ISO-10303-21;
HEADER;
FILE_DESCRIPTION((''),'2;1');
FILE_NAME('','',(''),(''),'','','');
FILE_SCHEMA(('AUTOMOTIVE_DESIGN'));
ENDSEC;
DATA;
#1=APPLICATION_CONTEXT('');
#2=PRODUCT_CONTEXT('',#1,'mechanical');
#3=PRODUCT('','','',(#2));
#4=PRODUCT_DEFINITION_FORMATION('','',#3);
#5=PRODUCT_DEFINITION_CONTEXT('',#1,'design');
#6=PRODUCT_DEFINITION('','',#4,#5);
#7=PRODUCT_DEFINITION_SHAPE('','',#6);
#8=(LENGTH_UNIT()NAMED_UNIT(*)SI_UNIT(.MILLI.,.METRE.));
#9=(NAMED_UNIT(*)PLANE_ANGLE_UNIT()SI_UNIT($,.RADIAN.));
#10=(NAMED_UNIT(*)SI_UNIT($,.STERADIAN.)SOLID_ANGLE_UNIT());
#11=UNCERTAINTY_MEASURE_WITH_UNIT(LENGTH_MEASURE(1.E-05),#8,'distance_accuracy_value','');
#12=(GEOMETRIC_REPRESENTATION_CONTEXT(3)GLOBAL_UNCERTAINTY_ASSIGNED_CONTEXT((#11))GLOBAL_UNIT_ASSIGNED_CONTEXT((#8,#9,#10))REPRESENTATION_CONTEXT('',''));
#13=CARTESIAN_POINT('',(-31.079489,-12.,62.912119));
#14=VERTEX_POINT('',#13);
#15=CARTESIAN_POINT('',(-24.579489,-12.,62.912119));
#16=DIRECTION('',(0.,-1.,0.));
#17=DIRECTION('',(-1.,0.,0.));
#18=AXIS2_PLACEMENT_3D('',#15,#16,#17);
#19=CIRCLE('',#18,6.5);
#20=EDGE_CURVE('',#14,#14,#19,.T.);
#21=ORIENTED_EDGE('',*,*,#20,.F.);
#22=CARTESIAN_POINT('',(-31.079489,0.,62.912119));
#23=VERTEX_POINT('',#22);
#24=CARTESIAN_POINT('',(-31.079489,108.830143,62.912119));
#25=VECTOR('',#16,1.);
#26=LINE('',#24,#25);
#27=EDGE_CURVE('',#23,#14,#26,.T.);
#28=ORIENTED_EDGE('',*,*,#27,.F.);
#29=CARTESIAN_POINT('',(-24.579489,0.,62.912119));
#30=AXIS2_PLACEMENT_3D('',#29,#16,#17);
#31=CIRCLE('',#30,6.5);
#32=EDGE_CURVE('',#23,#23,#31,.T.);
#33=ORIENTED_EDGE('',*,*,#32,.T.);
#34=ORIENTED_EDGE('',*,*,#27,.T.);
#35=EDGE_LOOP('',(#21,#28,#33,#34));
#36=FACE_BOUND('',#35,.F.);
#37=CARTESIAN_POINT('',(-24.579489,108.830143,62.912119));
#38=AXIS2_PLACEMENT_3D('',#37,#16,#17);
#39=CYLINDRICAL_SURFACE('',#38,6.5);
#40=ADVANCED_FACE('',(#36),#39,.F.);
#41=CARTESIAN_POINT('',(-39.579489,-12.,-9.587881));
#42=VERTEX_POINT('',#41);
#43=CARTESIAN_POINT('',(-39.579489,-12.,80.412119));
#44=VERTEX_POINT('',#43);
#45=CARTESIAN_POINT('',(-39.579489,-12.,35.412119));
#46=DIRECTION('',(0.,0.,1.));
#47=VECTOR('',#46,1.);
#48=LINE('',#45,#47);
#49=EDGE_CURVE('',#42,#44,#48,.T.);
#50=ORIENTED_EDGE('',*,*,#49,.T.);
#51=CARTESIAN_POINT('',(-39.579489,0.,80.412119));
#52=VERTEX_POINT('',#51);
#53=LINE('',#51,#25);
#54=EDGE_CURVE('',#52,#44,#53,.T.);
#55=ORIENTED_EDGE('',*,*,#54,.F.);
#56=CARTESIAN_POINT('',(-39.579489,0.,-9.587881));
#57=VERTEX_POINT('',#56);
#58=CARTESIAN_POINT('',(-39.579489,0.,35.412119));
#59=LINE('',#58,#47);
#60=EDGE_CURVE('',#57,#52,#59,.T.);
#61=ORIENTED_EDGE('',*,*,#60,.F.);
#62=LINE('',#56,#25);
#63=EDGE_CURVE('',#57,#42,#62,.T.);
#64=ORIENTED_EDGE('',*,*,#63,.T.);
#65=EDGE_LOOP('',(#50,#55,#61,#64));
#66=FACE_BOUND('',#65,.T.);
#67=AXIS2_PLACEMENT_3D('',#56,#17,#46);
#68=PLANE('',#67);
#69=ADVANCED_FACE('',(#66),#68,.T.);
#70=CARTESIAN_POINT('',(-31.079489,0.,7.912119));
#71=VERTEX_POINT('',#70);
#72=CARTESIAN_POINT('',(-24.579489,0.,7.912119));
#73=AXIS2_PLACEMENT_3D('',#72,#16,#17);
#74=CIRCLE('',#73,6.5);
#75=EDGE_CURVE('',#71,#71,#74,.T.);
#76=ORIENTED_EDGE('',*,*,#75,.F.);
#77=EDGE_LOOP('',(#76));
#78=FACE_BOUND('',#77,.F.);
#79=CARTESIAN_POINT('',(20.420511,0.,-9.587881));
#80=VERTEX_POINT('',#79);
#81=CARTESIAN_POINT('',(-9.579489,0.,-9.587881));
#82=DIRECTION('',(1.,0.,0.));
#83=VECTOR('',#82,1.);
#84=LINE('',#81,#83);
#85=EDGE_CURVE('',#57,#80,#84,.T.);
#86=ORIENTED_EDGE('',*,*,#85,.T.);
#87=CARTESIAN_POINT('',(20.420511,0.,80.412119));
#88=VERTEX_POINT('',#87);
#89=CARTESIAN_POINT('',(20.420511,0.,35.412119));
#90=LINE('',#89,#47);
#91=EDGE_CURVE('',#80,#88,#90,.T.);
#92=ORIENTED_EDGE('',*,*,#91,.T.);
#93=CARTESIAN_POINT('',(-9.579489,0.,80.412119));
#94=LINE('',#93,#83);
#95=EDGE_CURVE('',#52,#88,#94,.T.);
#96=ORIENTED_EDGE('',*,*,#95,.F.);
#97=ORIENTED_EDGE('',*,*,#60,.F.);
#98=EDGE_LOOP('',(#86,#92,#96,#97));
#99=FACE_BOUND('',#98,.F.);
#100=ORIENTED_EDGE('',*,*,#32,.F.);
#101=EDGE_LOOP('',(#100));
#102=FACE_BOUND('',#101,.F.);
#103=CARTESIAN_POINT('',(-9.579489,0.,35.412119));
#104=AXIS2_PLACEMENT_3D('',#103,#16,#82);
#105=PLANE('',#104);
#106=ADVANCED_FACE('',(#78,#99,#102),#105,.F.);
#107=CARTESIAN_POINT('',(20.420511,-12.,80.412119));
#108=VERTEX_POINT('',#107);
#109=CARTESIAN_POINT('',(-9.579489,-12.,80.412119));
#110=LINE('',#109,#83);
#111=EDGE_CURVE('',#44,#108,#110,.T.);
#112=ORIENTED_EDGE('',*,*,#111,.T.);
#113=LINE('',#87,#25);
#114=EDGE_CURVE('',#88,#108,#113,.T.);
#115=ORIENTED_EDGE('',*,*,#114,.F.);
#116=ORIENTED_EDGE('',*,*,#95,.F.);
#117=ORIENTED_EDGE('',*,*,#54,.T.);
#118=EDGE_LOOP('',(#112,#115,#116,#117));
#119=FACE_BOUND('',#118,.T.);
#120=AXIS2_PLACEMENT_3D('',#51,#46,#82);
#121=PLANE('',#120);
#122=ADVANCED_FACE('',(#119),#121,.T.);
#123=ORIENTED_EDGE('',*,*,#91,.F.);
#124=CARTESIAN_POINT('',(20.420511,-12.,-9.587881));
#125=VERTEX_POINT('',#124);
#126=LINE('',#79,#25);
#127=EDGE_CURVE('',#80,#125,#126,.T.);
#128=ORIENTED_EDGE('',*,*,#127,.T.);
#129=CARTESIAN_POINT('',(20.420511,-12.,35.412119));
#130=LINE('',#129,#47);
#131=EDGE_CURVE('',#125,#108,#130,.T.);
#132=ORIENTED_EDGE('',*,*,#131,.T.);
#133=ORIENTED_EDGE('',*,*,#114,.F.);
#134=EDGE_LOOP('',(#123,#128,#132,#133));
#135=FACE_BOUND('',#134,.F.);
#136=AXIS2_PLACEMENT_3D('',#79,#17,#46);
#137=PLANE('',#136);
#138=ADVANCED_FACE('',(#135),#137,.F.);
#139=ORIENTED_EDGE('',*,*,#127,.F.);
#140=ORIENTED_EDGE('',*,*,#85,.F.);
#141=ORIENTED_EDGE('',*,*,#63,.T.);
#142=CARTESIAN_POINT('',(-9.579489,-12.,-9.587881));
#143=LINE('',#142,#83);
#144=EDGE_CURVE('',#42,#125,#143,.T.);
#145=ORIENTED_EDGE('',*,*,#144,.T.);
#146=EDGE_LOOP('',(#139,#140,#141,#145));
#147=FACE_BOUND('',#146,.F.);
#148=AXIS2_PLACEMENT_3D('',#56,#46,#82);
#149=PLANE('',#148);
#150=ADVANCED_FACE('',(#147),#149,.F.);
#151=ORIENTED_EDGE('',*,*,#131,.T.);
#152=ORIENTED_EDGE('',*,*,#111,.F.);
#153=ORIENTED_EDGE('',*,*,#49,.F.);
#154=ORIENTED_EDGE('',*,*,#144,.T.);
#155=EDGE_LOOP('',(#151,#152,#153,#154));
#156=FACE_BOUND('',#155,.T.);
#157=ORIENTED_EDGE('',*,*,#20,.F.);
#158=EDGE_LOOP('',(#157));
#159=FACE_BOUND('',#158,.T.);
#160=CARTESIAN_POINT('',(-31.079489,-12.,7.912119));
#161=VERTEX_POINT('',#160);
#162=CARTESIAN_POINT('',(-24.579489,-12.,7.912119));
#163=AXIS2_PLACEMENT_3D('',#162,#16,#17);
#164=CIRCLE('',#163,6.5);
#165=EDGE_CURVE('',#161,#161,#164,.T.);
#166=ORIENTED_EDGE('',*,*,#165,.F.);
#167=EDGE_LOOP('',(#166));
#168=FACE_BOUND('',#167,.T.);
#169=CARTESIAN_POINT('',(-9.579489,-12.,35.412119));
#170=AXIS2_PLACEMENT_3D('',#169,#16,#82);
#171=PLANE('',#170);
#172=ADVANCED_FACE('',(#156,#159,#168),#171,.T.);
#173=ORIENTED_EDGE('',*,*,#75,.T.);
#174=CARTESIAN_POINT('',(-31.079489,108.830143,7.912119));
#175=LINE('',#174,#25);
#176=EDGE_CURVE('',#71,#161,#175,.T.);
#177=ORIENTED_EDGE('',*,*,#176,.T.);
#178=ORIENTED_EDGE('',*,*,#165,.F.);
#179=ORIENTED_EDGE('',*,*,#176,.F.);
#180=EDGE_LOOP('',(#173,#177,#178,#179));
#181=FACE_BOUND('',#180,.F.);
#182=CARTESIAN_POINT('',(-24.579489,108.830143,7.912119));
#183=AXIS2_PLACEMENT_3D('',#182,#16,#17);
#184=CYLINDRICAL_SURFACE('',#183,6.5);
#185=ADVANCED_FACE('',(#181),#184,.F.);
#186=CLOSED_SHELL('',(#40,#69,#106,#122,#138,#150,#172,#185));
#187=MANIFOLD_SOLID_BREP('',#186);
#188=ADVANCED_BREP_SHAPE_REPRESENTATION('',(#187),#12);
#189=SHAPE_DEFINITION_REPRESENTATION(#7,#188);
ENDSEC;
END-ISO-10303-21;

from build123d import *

# Parameters (mm, degrees)
F0_W     = 60
F0_H     = 90
F1_DEPTH = 12
F2_D     = 13


with BuildPart() as f1:
    # F0 (on Front) → F1 (new body)
    with BuildSketch(Plane.XZ):
        with Locations((-9.5794885419, 35.4121185594)):
            Rectangle(F0_W, F0_H)
    extrude(amount=F1_DEPTH)

    # F2 (through all)
    with Locations(Plane(origin=(0, 0, 0), x_dir=(1, 0, 0), z_dir=(0, 1, 0))):
        with Locations((-24.5794885419, -62.9121185594), (-24.5794885419, -7.9121185594)):
            Hole(F2_D / 2)


solid = f1.part
